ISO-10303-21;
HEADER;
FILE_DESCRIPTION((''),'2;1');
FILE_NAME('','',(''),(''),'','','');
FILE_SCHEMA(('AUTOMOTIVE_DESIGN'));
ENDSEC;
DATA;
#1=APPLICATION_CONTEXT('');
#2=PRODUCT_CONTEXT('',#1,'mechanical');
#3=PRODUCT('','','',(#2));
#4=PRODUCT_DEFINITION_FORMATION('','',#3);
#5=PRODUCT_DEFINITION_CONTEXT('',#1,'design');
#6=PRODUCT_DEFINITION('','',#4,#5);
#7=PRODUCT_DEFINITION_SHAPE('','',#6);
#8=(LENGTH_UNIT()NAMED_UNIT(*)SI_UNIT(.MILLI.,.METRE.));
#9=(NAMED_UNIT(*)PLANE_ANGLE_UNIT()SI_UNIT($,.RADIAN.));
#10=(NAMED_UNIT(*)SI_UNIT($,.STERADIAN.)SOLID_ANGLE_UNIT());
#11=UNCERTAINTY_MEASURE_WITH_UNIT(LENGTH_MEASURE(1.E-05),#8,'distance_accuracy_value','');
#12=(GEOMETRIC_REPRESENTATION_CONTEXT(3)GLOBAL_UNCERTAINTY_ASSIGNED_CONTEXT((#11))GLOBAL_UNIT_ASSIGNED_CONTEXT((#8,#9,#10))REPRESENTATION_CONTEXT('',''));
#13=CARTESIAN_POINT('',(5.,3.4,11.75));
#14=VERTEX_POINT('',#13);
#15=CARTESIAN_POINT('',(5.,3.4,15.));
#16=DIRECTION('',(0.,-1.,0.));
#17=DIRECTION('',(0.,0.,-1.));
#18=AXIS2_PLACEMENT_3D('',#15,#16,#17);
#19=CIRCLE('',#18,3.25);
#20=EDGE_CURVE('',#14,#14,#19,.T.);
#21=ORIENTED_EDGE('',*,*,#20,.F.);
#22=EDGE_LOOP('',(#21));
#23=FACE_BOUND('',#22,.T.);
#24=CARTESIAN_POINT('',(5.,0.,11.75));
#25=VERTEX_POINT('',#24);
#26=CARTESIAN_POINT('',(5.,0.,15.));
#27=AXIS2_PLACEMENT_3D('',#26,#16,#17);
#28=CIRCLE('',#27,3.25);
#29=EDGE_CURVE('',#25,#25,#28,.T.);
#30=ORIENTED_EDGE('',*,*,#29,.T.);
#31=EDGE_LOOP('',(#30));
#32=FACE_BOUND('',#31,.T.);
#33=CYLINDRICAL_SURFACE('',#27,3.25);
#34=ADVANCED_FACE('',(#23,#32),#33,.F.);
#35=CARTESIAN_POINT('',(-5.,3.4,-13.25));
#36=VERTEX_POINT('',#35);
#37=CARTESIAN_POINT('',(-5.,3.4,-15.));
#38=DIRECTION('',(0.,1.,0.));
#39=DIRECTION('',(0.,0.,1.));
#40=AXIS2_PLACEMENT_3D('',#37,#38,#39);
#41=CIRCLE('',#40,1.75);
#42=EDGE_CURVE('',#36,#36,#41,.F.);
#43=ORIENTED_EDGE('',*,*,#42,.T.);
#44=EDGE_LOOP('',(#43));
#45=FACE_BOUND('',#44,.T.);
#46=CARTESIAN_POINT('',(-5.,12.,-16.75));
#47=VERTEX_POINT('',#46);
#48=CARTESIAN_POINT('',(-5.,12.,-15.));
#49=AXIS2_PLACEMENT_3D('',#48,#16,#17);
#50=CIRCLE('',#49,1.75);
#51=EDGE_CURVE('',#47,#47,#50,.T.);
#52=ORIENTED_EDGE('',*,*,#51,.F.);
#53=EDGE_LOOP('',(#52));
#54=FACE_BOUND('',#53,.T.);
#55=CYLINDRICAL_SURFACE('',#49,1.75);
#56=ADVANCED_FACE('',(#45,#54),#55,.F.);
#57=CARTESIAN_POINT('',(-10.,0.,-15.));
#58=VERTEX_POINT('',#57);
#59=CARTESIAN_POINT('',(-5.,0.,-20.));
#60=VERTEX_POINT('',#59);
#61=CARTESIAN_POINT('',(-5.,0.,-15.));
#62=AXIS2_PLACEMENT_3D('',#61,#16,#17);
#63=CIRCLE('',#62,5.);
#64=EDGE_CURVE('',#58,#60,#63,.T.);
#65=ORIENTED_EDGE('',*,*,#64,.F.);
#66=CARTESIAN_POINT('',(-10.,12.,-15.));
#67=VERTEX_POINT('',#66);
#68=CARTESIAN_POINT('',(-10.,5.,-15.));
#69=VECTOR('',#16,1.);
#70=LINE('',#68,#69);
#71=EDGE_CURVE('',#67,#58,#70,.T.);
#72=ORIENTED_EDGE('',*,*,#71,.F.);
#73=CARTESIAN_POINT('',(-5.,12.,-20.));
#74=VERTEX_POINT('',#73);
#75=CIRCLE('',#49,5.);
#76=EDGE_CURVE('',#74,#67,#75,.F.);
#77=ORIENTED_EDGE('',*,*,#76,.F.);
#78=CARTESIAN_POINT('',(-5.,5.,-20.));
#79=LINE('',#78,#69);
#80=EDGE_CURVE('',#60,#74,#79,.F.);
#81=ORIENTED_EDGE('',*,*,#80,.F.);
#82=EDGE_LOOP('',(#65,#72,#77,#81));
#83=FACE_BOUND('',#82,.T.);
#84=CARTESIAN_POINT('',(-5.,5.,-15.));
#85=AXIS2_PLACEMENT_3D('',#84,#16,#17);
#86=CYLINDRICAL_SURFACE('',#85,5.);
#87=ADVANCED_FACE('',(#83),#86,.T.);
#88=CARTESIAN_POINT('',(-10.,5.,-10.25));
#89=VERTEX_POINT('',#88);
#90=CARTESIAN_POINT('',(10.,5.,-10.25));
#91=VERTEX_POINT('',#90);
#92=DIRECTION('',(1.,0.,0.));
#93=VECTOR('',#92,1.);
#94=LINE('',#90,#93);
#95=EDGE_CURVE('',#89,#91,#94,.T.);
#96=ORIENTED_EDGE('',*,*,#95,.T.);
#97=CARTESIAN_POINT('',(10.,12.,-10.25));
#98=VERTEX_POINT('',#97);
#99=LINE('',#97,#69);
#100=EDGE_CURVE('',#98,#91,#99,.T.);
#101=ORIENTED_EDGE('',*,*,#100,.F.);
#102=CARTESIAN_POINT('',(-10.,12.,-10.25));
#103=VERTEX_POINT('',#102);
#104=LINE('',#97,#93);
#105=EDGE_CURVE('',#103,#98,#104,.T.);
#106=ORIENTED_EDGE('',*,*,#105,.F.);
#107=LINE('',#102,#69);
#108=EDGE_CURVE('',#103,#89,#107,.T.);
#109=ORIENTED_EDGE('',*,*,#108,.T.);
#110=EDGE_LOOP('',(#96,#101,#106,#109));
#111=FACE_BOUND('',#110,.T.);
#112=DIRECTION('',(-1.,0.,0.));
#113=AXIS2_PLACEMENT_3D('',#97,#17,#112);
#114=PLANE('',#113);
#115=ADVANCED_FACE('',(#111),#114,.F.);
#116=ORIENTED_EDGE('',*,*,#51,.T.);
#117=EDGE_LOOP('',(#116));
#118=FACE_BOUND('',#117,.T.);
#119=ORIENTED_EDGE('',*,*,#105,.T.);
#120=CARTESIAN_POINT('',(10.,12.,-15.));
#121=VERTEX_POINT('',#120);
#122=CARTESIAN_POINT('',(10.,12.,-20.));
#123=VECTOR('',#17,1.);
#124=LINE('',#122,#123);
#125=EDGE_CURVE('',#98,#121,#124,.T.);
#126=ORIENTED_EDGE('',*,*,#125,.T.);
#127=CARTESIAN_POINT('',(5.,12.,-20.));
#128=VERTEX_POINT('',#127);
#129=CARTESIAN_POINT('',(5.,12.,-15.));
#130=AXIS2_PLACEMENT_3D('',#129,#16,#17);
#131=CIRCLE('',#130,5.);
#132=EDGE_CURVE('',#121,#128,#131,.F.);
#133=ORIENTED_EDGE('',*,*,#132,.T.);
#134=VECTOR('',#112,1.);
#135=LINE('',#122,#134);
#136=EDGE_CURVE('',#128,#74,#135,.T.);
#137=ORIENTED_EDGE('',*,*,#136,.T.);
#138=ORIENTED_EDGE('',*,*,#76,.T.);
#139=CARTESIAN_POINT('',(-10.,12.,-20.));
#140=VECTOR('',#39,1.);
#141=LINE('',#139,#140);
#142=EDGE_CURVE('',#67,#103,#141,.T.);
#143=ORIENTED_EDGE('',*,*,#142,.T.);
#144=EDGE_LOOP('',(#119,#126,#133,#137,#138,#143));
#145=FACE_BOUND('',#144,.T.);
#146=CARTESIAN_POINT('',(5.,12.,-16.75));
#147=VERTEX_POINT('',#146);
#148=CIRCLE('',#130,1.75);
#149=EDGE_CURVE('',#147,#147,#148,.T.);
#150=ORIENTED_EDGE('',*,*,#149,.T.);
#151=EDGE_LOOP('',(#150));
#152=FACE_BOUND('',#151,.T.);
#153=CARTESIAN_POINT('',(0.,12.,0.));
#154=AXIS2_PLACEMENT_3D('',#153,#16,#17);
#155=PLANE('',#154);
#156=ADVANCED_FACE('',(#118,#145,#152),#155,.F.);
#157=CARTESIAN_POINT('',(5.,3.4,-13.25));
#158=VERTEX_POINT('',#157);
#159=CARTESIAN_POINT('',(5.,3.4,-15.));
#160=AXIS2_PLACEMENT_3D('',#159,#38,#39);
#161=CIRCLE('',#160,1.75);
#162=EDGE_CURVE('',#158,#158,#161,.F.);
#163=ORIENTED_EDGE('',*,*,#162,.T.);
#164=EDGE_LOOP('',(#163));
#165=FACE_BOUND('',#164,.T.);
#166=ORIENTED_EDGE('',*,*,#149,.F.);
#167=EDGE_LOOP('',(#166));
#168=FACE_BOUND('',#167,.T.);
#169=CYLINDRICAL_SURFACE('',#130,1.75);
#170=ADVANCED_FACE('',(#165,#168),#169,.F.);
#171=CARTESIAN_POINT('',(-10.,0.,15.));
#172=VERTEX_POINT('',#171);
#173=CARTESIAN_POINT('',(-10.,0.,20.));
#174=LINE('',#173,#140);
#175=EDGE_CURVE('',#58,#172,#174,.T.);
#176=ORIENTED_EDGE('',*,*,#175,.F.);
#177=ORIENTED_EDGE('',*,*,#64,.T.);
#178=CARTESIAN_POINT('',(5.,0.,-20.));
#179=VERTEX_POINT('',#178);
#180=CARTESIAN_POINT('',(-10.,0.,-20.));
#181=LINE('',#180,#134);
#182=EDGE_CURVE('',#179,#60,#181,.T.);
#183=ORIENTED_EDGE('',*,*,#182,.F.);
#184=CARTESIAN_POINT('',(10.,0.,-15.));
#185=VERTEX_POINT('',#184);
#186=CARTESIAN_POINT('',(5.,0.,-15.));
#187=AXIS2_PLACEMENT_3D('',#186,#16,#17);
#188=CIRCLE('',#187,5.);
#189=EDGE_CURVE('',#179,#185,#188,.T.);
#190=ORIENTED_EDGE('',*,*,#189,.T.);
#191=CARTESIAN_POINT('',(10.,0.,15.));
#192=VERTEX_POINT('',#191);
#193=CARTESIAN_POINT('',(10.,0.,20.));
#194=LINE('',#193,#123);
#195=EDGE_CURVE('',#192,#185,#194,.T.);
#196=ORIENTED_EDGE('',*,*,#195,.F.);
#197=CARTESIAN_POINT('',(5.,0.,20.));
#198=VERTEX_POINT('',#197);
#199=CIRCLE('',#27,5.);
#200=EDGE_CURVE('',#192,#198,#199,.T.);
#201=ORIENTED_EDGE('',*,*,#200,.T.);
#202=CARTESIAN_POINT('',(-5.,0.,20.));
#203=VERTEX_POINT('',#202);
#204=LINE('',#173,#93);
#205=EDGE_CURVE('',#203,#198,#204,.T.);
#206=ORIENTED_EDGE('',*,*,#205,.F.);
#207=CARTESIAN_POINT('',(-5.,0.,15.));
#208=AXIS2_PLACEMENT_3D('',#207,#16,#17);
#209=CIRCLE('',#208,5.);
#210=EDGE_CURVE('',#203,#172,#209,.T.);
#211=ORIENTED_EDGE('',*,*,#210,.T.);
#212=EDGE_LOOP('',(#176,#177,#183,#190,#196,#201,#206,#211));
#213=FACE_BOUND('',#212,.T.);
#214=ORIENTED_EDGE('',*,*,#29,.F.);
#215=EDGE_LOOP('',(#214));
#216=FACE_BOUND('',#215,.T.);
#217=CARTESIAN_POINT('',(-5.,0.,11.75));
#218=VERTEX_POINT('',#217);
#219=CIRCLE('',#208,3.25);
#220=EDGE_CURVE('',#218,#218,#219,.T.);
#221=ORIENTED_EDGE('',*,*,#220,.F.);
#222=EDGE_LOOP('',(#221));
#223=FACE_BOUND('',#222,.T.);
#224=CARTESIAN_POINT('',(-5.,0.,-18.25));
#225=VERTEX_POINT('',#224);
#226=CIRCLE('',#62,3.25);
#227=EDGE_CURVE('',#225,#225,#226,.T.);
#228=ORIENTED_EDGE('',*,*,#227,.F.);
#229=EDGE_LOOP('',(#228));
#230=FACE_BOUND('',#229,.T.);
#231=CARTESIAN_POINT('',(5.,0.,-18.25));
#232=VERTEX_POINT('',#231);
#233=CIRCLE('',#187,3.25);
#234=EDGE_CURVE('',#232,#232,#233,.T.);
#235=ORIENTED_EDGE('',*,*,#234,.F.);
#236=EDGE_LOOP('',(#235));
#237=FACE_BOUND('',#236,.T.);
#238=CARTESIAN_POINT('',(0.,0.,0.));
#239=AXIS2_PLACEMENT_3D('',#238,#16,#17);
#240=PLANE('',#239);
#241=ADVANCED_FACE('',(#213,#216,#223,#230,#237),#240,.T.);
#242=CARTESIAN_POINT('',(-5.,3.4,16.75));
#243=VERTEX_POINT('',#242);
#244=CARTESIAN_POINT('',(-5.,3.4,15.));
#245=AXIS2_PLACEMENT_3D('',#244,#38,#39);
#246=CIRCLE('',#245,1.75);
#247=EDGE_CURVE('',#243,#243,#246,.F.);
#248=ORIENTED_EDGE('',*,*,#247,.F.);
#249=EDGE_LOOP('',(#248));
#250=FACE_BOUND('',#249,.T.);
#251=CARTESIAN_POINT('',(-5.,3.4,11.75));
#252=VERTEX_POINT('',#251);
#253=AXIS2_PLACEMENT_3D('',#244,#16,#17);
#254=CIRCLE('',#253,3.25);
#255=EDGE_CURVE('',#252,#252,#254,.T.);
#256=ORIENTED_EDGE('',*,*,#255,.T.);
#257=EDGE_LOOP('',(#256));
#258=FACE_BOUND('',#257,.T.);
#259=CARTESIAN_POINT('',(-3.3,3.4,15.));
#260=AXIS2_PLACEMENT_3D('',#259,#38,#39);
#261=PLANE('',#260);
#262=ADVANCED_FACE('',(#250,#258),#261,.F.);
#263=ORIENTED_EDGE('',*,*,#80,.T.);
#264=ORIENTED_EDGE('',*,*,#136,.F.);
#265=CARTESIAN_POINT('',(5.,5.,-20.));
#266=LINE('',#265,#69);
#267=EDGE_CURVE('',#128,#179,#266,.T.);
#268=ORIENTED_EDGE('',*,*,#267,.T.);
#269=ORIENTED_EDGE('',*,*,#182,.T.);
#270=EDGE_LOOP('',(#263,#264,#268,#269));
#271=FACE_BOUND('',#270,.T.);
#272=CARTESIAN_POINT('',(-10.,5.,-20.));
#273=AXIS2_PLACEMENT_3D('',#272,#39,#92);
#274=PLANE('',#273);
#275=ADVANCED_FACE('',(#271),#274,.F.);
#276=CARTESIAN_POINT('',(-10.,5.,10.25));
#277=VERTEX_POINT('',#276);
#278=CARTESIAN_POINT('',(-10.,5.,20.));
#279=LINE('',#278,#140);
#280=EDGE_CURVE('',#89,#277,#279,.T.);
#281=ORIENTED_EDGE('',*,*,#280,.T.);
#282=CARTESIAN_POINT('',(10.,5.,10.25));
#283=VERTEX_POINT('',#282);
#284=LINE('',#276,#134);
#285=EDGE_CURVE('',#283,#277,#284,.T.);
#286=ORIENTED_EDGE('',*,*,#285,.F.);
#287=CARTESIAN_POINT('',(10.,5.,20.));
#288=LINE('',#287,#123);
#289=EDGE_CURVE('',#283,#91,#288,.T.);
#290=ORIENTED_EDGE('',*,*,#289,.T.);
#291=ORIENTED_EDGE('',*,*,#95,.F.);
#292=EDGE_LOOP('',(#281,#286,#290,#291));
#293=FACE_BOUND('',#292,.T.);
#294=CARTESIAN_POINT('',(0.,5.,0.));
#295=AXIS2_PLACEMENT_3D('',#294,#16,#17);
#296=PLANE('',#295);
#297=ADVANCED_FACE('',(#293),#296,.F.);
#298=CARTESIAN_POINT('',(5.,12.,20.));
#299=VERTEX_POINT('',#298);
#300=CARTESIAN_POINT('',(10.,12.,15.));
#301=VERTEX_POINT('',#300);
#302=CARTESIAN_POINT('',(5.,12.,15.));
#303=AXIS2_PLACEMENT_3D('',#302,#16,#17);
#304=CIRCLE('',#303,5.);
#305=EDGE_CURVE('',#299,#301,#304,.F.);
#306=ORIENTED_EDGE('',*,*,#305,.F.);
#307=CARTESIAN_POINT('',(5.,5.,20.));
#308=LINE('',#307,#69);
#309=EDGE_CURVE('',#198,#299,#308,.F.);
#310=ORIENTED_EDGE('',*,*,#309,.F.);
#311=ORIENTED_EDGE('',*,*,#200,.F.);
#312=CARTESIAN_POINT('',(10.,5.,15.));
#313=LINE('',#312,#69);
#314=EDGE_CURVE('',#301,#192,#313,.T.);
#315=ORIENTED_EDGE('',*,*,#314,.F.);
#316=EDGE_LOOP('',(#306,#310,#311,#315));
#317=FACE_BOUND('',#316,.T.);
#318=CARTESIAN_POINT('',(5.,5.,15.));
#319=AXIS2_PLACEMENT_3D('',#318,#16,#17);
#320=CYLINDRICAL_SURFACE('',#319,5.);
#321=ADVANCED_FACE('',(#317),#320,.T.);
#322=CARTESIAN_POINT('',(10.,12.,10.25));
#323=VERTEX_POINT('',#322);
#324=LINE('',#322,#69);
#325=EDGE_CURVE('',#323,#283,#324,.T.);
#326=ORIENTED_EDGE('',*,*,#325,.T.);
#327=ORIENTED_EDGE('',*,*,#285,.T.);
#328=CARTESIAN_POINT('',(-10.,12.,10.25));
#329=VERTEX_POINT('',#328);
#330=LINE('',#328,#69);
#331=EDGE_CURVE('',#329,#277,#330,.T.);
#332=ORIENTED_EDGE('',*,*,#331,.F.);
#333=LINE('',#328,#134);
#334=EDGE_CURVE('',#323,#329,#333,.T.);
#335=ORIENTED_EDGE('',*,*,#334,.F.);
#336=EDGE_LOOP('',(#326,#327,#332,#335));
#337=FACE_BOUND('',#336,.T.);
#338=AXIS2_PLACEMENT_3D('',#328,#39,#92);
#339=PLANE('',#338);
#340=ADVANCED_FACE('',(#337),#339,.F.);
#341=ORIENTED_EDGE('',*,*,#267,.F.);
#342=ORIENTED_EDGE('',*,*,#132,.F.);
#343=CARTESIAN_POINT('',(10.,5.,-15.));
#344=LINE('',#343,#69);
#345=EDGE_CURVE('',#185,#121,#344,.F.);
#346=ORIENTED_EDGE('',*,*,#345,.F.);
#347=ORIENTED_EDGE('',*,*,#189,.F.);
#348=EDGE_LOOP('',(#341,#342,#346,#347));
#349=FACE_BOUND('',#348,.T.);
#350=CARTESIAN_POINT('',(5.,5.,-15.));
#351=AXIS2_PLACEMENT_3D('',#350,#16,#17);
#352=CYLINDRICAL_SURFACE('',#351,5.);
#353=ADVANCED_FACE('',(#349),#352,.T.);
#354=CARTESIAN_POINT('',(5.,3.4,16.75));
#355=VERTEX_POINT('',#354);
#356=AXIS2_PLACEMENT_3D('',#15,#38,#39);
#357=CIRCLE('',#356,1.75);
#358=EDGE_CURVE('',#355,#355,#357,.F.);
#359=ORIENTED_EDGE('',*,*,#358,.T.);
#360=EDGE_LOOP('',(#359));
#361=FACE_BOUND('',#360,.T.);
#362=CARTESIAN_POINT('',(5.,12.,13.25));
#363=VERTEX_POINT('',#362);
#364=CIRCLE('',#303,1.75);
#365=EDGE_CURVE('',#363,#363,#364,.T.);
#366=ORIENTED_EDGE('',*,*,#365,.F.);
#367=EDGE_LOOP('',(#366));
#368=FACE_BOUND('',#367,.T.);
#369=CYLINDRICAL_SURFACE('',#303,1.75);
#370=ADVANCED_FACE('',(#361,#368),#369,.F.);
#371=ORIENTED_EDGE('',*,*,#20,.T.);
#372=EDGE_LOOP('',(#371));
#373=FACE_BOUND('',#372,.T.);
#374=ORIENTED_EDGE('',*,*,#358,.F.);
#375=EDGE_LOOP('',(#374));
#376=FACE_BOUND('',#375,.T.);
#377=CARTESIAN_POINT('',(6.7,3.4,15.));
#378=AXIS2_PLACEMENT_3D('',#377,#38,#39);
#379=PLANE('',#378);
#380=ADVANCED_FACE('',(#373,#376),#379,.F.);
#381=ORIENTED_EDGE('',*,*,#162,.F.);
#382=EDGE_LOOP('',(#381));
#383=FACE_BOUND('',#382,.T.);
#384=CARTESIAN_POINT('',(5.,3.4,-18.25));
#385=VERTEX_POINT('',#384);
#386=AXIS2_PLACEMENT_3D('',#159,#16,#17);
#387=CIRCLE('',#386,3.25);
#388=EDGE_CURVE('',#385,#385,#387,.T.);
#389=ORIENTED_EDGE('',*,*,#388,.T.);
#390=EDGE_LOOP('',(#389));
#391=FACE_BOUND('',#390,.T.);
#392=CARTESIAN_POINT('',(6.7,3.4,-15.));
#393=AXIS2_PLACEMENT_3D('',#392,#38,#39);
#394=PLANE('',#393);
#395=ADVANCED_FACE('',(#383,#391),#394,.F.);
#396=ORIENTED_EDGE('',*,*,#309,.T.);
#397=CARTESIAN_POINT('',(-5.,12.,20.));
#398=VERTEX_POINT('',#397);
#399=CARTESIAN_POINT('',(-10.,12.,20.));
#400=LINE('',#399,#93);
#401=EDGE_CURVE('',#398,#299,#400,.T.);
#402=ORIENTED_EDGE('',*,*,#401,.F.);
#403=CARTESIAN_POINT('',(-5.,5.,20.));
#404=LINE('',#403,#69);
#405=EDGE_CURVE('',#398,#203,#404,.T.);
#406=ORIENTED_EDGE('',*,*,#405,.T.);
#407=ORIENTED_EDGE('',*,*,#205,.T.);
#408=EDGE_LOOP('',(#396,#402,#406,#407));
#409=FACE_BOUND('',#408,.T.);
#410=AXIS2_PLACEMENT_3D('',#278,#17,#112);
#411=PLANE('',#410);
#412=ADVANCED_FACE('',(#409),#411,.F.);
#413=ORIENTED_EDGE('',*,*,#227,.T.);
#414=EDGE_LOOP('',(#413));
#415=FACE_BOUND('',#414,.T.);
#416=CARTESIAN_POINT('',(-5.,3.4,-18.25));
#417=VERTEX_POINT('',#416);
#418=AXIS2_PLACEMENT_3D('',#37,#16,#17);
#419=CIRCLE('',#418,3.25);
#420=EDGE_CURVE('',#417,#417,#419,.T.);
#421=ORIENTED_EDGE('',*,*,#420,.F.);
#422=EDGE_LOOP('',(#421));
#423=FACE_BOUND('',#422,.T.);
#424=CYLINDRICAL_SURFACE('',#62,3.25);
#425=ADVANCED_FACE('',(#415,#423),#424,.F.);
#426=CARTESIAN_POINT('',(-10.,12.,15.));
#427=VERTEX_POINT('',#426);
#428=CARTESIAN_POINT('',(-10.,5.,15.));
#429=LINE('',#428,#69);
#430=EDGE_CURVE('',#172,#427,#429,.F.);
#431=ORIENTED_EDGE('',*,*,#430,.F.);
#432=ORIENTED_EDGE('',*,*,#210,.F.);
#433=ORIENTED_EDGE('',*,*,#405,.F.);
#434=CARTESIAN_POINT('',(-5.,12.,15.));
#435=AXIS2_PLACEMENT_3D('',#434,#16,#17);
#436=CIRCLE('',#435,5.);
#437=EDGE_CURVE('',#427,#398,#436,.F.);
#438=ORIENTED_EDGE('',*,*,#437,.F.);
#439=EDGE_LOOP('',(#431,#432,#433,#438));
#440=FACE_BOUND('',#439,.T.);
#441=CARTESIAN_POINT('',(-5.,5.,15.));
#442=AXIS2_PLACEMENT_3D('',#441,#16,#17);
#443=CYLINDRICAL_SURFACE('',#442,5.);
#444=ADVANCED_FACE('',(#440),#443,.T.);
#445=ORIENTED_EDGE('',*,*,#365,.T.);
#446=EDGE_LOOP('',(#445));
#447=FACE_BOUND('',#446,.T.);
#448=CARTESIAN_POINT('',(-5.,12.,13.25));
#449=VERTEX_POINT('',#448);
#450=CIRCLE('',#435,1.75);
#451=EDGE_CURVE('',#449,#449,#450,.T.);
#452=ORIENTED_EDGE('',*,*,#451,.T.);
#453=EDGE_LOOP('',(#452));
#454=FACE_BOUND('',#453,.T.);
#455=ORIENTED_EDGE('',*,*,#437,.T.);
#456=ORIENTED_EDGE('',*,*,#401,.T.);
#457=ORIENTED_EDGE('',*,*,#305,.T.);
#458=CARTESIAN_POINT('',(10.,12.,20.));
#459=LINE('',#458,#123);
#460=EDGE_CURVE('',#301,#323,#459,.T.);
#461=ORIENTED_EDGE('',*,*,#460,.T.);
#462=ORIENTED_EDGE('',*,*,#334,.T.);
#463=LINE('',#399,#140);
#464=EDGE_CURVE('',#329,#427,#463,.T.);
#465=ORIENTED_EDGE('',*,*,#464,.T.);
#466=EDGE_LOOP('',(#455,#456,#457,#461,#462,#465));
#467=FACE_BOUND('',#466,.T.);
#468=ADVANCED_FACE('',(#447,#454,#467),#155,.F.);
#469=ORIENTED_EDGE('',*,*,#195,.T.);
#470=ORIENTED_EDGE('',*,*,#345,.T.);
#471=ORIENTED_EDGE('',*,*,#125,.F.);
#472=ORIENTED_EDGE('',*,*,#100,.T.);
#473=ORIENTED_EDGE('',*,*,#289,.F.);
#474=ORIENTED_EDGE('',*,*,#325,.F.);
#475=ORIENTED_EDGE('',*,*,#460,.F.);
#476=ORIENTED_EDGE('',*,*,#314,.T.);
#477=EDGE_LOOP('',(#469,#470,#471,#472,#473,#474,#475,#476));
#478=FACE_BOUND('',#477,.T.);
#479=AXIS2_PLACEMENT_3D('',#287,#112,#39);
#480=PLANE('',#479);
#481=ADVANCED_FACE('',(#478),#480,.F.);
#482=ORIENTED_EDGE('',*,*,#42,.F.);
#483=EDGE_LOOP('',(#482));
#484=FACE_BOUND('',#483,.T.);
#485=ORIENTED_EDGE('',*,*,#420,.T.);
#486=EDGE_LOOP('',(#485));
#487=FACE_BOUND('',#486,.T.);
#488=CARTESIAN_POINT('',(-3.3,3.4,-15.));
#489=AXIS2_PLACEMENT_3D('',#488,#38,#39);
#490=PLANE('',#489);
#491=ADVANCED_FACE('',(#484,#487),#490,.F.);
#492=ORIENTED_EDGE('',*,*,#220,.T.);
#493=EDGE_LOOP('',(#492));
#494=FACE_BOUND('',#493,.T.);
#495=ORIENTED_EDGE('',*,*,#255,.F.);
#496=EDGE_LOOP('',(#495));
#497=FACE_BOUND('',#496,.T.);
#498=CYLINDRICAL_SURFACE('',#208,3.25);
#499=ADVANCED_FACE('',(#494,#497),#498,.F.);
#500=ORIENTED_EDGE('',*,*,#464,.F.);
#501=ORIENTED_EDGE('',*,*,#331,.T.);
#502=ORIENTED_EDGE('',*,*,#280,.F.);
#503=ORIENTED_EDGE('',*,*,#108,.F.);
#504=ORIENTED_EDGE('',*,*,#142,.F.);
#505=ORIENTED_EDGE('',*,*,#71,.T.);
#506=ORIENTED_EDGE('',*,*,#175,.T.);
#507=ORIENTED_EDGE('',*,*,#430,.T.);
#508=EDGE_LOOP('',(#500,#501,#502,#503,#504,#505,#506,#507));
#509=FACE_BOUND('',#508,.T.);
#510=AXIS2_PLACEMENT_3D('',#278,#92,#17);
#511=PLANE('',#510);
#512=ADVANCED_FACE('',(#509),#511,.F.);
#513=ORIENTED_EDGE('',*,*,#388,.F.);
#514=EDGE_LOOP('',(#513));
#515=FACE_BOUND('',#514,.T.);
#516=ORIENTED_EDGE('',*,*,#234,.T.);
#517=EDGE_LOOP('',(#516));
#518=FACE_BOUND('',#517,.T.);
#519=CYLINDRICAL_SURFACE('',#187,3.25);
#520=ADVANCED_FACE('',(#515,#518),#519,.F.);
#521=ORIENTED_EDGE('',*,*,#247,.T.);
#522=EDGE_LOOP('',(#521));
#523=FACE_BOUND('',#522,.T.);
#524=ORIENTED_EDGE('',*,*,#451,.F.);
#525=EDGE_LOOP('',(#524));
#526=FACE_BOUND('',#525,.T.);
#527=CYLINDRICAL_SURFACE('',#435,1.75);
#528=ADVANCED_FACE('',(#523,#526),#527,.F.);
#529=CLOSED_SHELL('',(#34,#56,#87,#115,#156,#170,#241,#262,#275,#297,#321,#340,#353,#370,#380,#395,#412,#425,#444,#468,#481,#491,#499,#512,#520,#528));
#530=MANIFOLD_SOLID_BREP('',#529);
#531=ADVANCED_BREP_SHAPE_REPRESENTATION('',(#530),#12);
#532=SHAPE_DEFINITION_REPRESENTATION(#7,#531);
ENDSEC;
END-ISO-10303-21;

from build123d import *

# Parameters (mm, degrees)
SKETCH1_W                                           = 20
SKETCH1_H                                           = 40
BOSS_EXTRUDE1_DEPTH                                 = 5
SKETCH2_W                                           = 20
SKETCH2_H                                           = 9.75
BOSS_EXTRUDE2_DEPTH                                 = 7
SKETCH3_R                                           = 1.75
CUT_EXTRUDE1_DEPTH                                  = 26.377155081
CBORE_FOR_M3_HEX_SOCKET_HEAD_CAP_SCREW1_D           = 3.4
CBORE_FOR_M3_HEX_SOCKET_HEAD_CAP_SCREW1_CBORE_D     = 6.5
CBORE_FOR_M3_HEX_SOCKET_HEAD_CAP_SCREW1_CBORE_DEPTH = 3.4
FILLET1_R                                           = 5


with BuildPart() as part:
    # Sketch1 → Boss-Extrude1 (new body)
    with BuildSketch(Plane(origin=(0, 0, 0), x_dir=(1, 0, 0), z_dir=(0, 1, 0))):
        Rectangle(SKETCH1_W, SKETCH1_H)
    extrude(amount=BOSS_EXTRUDE1_DEPTH)

    # Sketch2 → Boss-Extrude2 (add)
    with BuildSketch(Plane(origin=(0, 5, 0), x_dir=(1, 0, 0), z_dir=(0, 1, 0))):
        with Locations((0, -15.125)):
            Rectangle(SKETCH2_W, SKETCH2_H)
        with Locations((0, 15.125)):
            Rectangle(SKETCH2_W, SKETCH2_H)
    extrude(amount=BOSS_EXTRUDE2_DEPTH)

    # Sketch3 → Cut-Extrude1 (cut, through all)
    with BuildSketch(Plane.XZ):
        with Locations(Location((5, 15, 0), (0, 0, 270))):
            Circle(SKETCH3_R)
        with Locations(Location((-5, 15, 0), (0, 0, 270))):
            Circle(SKETCH3_R)
        with Locations(Location((-5, -15, 0), (0, 0, 270))):
            Circle(SKETCH3_R)
        with Locations(Location((5, -15, 0), (0, 0, 270))):
            Circle(SKETCH3_R)
    extrude(amount=-CUT_EXTRUDE1_DEPTH, mode=Mode.SUBTRACT)

    # CBORE for M3 Hex Socket Head Cap Screw1 (through all)
    with Locations(Plane(origin=(0, 0, 0), x_dir=(-1, 0, 0), z_dir=(0, -1, 0))):
        with Locations((-5, -15), (5, -15), (5, 15), (-5, 15)):
            CounterBoreHole(CBORE_FOR_M3_HEX_SOCKET_HEAD_CAP_SCREW1_D / 2, CBORE_FOR_M3_HEX_SOCKET_HEAD_CAP_SCREW1_CBORE_D / 2, CBORE_FOR_M3_HEX_SOCKET_HEAD_CAP_SCREW1_CBORE_DEPTH)

    # Fillet1
    fillet1_edges = [part.edges().sort_by_distance(p)[0] for p in [
        (10, 6, 20),
        (-10, 6, 20),
        (-10, 6, -20),
        (10, 6, -20),
    ]]
    fillet(fillet1_edges, radius=FILLET1_R)


solid = part.part
